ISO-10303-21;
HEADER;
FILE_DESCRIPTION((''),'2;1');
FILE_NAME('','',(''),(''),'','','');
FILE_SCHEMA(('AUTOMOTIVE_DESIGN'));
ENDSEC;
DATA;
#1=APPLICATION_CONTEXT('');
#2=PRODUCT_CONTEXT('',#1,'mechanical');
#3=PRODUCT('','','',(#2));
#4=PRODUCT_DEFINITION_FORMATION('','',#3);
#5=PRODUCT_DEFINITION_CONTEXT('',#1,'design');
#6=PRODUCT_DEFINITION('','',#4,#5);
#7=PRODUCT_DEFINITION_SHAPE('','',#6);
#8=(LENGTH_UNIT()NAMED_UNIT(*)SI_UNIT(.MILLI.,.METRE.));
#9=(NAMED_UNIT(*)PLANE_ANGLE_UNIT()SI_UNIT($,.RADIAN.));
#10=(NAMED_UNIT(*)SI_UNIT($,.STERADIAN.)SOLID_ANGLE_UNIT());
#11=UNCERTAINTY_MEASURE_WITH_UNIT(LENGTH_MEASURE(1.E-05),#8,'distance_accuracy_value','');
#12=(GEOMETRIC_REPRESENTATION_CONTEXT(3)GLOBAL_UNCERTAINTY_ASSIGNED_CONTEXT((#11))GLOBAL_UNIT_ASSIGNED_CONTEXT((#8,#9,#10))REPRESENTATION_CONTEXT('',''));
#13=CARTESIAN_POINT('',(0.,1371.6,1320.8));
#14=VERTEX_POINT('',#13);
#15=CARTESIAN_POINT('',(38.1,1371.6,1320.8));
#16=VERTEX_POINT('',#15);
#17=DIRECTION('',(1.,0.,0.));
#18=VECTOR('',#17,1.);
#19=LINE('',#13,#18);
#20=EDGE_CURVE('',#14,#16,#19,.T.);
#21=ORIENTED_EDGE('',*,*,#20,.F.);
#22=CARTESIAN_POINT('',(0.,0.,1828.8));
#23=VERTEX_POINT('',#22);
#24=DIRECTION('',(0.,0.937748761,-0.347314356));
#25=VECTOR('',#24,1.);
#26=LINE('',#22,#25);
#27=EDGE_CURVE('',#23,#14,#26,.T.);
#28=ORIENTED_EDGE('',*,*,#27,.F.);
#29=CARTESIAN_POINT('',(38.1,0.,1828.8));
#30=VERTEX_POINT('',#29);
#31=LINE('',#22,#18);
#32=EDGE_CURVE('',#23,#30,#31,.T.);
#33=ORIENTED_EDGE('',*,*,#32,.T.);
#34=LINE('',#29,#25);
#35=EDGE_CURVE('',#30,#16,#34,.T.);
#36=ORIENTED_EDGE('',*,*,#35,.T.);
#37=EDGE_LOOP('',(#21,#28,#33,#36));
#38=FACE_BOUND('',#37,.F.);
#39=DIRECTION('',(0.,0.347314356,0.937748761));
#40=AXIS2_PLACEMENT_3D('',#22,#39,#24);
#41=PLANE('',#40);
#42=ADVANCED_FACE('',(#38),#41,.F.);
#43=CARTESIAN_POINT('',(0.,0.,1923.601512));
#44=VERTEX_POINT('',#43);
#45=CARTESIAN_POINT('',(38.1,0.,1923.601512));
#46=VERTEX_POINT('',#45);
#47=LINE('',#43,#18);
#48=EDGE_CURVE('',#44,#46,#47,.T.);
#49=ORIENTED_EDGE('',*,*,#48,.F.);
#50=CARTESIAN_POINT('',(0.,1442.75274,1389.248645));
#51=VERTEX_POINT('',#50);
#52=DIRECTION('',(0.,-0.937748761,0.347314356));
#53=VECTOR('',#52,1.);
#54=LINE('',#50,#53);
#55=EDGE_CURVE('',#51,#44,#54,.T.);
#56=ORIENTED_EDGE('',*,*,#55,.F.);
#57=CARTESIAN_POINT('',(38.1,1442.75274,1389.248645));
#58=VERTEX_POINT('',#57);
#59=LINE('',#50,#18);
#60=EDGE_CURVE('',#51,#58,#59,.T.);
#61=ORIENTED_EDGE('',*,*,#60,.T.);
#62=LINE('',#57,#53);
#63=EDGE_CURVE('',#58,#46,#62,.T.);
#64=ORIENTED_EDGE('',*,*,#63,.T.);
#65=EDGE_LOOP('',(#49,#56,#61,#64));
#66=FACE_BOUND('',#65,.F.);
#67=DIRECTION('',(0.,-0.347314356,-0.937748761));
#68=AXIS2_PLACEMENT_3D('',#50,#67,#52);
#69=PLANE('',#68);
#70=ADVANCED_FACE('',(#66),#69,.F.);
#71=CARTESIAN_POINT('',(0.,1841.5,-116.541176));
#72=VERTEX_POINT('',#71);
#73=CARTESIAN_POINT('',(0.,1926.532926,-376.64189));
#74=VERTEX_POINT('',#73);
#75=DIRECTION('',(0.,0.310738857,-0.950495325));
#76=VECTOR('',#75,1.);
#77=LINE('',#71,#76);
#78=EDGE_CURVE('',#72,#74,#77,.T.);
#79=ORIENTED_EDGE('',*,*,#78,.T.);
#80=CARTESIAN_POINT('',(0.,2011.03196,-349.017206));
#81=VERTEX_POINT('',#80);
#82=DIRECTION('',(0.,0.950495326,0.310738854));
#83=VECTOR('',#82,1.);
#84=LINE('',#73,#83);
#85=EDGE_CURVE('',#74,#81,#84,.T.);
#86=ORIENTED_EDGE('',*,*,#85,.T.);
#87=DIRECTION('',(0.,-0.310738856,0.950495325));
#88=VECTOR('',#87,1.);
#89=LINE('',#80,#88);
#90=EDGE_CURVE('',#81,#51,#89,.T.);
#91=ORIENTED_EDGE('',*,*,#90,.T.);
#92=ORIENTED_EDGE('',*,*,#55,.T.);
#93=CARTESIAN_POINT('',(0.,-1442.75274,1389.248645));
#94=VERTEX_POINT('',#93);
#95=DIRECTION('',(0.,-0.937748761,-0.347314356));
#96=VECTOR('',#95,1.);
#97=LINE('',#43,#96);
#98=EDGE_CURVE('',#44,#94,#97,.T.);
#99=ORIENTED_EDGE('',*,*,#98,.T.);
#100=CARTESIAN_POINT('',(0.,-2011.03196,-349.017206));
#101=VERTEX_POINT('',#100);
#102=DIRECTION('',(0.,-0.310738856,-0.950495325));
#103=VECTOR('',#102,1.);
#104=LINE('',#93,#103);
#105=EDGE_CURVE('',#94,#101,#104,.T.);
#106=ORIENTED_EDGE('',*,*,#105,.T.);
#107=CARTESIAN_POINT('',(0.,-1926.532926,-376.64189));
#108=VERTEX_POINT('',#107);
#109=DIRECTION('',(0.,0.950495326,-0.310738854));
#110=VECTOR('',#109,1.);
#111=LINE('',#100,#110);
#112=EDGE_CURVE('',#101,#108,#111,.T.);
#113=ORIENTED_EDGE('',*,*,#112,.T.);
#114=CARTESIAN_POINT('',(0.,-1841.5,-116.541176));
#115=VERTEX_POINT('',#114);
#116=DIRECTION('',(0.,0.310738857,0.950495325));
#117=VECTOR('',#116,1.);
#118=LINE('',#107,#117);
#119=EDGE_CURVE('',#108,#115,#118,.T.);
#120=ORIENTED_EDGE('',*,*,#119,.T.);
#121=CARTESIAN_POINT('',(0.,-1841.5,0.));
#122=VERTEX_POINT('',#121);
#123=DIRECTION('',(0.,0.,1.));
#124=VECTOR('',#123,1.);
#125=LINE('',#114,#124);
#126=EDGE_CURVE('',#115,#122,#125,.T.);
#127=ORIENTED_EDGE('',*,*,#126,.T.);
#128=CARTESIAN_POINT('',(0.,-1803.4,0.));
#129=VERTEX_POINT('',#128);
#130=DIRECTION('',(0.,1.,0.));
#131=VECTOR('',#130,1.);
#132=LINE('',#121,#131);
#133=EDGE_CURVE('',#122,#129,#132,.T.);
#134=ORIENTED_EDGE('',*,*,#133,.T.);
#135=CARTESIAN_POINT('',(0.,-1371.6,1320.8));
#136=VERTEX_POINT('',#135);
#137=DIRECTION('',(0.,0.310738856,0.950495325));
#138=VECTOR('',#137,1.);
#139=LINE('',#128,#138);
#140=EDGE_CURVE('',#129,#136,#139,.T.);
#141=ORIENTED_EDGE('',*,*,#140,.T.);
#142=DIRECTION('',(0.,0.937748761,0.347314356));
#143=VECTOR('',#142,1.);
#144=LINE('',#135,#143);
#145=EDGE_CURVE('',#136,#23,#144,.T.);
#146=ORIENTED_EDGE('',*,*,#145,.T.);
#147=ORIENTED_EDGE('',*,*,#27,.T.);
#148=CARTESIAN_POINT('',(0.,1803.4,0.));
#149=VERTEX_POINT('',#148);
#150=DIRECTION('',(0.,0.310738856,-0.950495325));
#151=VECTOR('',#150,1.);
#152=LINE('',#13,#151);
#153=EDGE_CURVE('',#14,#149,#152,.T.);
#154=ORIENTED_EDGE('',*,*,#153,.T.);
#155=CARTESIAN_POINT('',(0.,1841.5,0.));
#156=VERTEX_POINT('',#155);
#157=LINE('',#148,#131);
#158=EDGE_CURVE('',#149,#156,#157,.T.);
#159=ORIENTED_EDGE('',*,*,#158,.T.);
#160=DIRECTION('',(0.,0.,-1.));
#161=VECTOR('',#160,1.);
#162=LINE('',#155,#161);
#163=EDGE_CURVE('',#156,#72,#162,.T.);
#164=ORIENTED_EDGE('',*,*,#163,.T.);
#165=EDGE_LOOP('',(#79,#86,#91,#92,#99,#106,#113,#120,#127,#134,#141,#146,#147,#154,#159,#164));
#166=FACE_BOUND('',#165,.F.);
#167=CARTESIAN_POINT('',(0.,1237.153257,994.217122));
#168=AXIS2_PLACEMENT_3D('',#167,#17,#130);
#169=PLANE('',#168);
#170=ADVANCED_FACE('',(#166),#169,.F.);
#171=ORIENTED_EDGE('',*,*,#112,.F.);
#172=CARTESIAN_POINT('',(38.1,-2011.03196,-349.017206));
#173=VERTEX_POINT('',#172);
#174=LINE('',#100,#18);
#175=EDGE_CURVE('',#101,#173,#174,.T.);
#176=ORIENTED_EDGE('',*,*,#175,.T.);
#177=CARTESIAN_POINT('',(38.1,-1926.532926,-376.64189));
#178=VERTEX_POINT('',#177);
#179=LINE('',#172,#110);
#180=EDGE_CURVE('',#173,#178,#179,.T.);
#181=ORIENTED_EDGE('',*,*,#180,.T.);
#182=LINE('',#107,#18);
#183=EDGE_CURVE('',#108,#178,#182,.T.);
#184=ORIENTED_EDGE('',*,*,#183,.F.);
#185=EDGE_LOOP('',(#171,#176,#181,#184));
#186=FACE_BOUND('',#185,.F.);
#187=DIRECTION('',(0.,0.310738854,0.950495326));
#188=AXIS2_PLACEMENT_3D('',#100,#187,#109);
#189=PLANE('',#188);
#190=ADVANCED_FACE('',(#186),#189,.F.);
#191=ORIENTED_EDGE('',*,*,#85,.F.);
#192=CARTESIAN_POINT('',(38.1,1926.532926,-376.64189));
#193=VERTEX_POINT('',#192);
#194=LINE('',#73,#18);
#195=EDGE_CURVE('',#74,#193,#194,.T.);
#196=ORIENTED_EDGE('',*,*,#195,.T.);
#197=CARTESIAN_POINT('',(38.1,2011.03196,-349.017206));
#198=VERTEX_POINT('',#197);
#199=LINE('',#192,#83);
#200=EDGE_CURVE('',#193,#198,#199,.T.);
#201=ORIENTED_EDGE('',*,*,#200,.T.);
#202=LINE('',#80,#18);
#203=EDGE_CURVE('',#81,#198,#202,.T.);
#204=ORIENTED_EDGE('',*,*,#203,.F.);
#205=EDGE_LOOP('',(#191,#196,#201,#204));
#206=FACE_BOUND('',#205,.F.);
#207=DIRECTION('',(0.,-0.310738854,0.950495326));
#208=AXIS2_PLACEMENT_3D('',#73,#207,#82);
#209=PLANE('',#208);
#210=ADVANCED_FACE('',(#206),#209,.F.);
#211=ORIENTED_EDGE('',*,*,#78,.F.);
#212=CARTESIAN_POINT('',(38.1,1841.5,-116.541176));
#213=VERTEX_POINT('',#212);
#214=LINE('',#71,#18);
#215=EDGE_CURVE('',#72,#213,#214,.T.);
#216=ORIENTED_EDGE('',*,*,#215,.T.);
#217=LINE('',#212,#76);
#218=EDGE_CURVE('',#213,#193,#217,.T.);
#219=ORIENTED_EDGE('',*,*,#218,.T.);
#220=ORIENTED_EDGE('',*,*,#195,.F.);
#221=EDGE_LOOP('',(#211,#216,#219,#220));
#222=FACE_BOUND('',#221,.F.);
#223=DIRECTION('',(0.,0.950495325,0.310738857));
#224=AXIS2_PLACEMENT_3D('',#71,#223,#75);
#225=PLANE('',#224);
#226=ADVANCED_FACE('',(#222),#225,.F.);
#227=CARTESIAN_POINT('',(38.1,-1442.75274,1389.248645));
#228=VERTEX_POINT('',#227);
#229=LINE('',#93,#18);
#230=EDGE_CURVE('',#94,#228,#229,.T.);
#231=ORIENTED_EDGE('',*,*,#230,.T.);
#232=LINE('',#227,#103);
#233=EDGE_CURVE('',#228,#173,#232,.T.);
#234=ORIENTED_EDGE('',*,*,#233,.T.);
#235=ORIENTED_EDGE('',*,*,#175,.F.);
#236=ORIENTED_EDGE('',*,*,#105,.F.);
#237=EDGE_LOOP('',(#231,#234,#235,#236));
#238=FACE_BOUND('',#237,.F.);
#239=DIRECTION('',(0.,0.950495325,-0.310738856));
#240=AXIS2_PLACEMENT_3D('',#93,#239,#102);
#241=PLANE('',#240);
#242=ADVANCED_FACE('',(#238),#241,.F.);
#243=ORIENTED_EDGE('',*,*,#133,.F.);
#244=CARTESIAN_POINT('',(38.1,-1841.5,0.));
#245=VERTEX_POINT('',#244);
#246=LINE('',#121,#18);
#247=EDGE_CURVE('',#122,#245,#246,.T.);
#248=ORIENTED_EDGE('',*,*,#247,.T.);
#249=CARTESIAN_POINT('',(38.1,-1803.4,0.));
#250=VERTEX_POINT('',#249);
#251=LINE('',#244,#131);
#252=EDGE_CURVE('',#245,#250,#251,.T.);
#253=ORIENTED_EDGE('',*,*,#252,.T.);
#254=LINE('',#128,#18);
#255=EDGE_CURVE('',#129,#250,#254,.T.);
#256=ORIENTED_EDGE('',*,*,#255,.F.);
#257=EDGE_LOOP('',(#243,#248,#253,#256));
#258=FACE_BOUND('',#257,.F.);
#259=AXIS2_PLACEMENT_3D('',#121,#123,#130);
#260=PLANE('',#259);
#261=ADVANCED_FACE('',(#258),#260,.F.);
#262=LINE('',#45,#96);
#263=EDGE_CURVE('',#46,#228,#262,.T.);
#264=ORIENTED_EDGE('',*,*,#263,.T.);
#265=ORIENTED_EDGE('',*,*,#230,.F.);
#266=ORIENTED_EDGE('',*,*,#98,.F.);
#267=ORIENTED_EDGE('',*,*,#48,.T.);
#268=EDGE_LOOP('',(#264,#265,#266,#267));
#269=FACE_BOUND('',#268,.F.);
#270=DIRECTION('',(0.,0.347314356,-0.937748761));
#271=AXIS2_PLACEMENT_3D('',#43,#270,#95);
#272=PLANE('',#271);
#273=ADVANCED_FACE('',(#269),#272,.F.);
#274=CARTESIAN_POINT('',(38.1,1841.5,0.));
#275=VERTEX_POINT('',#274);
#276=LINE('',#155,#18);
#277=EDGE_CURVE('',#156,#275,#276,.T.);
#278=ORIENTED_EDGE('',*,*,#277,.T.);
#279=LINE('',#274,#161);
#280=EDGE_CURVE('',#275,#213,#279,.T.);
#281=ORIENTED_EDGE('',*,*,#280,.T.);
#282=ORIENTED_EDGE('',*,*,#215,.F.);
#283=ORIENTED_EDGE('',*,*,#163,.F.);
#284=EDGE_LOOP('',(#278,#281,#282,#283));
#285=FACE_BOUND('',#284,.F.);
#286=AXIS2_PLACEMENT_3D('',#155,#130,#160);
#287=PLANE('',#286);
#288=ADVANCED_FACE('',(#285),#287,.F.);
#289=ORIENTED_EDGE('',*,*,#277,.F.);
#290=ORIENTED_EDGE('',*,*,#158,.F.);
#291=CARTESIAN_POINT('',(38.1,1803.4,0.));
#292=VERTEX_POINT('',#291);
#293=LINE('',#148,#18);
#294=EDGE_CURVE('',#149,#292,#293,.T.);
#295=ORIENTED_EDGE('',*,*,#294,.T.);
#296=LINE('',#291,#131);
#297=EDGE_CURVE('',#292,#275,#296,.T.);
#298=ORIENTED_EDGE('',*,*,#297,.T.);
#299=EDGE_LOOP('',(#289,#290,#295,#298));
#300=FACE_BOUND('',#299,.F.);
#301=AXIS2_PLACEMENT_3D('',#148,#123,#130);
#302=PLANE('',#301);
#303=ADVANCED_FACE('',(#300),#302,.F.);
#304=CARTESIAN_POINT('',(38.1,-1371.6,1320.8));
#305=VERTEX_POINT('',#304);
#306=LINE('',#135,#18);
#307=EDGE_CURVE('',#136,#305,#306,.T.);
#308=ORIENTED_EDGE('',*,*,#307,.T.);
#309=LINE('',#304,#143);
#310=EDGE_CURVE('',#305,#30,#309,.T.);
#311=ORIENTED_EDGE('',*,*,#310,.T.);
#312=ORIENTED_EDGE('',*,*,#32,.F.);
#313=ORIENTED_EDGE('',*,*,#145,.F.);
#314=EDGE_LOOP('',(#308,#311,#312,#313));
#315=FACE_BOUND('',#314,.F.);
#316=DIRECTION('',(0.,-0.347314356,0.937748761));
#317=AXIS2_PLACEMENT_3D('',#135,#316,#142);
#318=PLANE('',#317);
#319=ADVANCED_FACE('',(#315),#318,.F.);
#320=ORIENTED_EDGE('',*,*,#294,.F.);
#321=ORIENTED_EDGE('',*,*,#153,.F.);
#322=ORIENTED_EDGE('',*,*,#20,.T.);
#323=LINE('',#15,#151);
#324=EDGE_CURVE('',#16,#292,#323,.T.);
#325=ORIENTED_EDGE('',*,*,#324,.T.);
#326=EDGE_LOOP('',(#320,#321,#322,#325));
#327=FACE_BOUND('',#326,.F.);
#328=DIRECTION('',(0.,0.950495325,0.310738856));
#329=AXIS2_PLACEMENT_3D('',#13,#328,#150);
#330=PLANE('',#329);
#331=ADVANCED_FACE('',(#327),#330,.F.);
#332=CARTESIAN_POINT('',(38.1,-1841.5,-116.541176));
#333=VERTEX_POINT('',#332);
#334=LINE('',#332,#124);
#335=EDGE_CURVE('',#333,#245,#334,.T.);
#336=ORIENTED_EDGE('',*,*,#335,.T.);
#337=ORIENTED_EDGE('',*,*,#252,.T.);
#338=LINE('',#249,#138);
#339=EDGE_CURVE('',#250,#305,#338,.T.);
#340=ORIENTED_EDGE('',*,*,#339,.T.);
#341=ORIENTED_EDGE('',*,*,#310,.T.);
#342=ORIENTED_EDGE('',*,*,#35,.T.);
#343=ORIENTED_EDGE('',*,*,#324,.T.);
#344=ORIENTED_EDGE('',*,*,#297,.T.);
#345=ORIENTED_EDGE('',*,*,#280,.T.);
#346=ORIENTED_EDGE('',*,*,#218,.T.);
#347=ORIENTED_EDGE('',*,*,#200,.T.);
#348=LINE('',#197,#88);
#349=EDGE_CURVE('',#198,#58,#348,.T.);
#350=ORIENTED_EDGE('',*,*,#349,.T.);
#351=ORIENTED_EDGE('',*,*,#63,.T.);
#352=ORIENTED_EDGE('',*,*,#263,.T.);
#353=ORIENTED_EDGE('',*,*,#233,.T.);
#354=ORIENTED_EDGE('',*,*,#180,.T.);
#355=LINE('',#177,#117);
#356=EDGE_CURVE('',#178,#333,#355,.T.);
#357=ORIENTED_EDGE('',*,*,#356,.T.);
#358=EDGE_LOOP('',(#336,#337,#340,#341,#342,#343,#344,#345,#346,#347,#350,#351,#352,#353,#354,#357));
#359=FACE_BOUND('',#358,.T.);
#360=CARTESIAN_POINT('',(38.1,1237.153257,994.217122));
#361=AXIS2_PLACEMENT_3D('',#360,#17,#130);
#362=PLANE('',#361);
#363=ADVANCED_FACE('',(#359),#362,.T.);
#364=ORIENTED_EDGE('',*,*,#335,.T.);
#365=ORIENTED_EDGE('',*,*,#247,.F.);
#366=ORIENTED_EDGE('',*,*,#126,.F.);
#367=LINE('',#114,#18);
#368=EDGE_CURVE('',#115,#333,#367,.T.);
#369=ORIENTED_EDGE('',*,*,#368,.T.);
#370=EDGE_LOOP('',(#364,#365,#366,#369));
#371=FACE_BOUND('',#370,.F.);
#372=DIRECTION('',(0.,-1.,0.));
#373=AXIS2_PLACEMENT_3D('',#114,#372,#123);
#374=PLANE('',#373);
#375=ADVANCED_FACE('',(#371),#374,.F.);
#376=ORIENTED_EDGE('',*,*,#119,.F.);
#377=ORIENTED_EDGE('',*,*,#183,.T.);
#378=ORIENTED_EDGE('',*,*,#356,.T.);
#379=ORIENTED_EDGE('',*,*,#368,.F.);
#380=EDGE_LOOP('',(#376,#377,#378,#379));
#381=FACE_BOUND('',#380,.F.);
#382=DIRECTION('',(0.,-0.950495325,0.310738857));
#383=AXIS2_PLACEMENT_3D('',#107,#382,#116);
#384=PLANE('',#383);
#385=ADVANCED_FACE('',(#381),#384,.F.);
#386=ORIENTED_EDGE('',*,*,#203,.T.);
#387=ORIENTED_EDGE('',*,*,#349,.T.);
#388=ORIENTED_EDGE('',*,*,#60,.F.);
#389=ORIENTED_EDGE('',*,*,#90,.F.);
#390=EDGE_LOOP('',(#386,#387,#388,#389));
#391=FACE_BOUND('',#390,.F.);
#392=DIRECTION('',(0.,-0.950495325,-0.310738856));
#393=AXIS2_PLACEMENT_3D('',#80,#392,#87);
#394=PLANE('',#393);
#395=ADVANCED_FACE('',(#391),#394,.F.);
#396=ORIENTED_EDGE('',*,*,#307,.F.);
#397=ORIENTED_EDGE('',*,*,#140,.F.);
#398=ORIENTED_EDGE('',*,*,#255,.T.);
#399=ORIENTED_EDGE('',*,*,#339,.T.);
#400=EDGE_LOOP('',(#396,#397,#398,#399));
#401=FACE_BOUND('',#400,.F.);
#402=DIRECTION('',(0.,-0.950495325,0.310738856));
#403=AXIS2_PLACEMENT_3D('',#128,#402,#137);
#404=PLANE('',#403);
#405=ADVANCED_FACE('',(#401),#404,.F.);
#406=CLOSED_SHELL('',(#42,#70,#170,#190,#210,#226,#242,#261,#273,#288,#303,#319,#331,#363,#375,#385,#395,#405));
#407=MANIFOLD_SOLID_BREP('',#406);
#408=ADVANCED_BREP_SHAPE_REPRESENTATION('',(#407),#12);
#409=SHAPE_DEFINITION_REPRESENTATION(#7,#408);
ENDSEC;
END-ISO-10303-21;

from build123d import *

# Parameters (mm, degrees)
F1_DEPTH = 38.1


with BuildPart() as f1:
    # F0 (on Right) → F1 (new body)
    with BuildSketch(Plane.YZ):
        Polygon((0, 1923.601512), (0, 1828.8), (1371.6, 1320.8), (1803.4, 0), (1841.5, 0), (1841.5, -116.541176), (1926.532926, -376.64189), (2011.03196, -349.017206), (1442.75274, 1389.248645), align=None)
        Polygon((-1371.6, 1320.8), (0, 1828.8), (0, 1923.601512), (-1442.75274, 1389.248645), (-2011.03196, -349.017206), (-1926.532926, -376.64189), (-1841.5, -116.541176), (-1841.5, 0), (-1803.4, 0), align=None)
    extrude(amount=F1_DEPTH)


solid = f1.part
